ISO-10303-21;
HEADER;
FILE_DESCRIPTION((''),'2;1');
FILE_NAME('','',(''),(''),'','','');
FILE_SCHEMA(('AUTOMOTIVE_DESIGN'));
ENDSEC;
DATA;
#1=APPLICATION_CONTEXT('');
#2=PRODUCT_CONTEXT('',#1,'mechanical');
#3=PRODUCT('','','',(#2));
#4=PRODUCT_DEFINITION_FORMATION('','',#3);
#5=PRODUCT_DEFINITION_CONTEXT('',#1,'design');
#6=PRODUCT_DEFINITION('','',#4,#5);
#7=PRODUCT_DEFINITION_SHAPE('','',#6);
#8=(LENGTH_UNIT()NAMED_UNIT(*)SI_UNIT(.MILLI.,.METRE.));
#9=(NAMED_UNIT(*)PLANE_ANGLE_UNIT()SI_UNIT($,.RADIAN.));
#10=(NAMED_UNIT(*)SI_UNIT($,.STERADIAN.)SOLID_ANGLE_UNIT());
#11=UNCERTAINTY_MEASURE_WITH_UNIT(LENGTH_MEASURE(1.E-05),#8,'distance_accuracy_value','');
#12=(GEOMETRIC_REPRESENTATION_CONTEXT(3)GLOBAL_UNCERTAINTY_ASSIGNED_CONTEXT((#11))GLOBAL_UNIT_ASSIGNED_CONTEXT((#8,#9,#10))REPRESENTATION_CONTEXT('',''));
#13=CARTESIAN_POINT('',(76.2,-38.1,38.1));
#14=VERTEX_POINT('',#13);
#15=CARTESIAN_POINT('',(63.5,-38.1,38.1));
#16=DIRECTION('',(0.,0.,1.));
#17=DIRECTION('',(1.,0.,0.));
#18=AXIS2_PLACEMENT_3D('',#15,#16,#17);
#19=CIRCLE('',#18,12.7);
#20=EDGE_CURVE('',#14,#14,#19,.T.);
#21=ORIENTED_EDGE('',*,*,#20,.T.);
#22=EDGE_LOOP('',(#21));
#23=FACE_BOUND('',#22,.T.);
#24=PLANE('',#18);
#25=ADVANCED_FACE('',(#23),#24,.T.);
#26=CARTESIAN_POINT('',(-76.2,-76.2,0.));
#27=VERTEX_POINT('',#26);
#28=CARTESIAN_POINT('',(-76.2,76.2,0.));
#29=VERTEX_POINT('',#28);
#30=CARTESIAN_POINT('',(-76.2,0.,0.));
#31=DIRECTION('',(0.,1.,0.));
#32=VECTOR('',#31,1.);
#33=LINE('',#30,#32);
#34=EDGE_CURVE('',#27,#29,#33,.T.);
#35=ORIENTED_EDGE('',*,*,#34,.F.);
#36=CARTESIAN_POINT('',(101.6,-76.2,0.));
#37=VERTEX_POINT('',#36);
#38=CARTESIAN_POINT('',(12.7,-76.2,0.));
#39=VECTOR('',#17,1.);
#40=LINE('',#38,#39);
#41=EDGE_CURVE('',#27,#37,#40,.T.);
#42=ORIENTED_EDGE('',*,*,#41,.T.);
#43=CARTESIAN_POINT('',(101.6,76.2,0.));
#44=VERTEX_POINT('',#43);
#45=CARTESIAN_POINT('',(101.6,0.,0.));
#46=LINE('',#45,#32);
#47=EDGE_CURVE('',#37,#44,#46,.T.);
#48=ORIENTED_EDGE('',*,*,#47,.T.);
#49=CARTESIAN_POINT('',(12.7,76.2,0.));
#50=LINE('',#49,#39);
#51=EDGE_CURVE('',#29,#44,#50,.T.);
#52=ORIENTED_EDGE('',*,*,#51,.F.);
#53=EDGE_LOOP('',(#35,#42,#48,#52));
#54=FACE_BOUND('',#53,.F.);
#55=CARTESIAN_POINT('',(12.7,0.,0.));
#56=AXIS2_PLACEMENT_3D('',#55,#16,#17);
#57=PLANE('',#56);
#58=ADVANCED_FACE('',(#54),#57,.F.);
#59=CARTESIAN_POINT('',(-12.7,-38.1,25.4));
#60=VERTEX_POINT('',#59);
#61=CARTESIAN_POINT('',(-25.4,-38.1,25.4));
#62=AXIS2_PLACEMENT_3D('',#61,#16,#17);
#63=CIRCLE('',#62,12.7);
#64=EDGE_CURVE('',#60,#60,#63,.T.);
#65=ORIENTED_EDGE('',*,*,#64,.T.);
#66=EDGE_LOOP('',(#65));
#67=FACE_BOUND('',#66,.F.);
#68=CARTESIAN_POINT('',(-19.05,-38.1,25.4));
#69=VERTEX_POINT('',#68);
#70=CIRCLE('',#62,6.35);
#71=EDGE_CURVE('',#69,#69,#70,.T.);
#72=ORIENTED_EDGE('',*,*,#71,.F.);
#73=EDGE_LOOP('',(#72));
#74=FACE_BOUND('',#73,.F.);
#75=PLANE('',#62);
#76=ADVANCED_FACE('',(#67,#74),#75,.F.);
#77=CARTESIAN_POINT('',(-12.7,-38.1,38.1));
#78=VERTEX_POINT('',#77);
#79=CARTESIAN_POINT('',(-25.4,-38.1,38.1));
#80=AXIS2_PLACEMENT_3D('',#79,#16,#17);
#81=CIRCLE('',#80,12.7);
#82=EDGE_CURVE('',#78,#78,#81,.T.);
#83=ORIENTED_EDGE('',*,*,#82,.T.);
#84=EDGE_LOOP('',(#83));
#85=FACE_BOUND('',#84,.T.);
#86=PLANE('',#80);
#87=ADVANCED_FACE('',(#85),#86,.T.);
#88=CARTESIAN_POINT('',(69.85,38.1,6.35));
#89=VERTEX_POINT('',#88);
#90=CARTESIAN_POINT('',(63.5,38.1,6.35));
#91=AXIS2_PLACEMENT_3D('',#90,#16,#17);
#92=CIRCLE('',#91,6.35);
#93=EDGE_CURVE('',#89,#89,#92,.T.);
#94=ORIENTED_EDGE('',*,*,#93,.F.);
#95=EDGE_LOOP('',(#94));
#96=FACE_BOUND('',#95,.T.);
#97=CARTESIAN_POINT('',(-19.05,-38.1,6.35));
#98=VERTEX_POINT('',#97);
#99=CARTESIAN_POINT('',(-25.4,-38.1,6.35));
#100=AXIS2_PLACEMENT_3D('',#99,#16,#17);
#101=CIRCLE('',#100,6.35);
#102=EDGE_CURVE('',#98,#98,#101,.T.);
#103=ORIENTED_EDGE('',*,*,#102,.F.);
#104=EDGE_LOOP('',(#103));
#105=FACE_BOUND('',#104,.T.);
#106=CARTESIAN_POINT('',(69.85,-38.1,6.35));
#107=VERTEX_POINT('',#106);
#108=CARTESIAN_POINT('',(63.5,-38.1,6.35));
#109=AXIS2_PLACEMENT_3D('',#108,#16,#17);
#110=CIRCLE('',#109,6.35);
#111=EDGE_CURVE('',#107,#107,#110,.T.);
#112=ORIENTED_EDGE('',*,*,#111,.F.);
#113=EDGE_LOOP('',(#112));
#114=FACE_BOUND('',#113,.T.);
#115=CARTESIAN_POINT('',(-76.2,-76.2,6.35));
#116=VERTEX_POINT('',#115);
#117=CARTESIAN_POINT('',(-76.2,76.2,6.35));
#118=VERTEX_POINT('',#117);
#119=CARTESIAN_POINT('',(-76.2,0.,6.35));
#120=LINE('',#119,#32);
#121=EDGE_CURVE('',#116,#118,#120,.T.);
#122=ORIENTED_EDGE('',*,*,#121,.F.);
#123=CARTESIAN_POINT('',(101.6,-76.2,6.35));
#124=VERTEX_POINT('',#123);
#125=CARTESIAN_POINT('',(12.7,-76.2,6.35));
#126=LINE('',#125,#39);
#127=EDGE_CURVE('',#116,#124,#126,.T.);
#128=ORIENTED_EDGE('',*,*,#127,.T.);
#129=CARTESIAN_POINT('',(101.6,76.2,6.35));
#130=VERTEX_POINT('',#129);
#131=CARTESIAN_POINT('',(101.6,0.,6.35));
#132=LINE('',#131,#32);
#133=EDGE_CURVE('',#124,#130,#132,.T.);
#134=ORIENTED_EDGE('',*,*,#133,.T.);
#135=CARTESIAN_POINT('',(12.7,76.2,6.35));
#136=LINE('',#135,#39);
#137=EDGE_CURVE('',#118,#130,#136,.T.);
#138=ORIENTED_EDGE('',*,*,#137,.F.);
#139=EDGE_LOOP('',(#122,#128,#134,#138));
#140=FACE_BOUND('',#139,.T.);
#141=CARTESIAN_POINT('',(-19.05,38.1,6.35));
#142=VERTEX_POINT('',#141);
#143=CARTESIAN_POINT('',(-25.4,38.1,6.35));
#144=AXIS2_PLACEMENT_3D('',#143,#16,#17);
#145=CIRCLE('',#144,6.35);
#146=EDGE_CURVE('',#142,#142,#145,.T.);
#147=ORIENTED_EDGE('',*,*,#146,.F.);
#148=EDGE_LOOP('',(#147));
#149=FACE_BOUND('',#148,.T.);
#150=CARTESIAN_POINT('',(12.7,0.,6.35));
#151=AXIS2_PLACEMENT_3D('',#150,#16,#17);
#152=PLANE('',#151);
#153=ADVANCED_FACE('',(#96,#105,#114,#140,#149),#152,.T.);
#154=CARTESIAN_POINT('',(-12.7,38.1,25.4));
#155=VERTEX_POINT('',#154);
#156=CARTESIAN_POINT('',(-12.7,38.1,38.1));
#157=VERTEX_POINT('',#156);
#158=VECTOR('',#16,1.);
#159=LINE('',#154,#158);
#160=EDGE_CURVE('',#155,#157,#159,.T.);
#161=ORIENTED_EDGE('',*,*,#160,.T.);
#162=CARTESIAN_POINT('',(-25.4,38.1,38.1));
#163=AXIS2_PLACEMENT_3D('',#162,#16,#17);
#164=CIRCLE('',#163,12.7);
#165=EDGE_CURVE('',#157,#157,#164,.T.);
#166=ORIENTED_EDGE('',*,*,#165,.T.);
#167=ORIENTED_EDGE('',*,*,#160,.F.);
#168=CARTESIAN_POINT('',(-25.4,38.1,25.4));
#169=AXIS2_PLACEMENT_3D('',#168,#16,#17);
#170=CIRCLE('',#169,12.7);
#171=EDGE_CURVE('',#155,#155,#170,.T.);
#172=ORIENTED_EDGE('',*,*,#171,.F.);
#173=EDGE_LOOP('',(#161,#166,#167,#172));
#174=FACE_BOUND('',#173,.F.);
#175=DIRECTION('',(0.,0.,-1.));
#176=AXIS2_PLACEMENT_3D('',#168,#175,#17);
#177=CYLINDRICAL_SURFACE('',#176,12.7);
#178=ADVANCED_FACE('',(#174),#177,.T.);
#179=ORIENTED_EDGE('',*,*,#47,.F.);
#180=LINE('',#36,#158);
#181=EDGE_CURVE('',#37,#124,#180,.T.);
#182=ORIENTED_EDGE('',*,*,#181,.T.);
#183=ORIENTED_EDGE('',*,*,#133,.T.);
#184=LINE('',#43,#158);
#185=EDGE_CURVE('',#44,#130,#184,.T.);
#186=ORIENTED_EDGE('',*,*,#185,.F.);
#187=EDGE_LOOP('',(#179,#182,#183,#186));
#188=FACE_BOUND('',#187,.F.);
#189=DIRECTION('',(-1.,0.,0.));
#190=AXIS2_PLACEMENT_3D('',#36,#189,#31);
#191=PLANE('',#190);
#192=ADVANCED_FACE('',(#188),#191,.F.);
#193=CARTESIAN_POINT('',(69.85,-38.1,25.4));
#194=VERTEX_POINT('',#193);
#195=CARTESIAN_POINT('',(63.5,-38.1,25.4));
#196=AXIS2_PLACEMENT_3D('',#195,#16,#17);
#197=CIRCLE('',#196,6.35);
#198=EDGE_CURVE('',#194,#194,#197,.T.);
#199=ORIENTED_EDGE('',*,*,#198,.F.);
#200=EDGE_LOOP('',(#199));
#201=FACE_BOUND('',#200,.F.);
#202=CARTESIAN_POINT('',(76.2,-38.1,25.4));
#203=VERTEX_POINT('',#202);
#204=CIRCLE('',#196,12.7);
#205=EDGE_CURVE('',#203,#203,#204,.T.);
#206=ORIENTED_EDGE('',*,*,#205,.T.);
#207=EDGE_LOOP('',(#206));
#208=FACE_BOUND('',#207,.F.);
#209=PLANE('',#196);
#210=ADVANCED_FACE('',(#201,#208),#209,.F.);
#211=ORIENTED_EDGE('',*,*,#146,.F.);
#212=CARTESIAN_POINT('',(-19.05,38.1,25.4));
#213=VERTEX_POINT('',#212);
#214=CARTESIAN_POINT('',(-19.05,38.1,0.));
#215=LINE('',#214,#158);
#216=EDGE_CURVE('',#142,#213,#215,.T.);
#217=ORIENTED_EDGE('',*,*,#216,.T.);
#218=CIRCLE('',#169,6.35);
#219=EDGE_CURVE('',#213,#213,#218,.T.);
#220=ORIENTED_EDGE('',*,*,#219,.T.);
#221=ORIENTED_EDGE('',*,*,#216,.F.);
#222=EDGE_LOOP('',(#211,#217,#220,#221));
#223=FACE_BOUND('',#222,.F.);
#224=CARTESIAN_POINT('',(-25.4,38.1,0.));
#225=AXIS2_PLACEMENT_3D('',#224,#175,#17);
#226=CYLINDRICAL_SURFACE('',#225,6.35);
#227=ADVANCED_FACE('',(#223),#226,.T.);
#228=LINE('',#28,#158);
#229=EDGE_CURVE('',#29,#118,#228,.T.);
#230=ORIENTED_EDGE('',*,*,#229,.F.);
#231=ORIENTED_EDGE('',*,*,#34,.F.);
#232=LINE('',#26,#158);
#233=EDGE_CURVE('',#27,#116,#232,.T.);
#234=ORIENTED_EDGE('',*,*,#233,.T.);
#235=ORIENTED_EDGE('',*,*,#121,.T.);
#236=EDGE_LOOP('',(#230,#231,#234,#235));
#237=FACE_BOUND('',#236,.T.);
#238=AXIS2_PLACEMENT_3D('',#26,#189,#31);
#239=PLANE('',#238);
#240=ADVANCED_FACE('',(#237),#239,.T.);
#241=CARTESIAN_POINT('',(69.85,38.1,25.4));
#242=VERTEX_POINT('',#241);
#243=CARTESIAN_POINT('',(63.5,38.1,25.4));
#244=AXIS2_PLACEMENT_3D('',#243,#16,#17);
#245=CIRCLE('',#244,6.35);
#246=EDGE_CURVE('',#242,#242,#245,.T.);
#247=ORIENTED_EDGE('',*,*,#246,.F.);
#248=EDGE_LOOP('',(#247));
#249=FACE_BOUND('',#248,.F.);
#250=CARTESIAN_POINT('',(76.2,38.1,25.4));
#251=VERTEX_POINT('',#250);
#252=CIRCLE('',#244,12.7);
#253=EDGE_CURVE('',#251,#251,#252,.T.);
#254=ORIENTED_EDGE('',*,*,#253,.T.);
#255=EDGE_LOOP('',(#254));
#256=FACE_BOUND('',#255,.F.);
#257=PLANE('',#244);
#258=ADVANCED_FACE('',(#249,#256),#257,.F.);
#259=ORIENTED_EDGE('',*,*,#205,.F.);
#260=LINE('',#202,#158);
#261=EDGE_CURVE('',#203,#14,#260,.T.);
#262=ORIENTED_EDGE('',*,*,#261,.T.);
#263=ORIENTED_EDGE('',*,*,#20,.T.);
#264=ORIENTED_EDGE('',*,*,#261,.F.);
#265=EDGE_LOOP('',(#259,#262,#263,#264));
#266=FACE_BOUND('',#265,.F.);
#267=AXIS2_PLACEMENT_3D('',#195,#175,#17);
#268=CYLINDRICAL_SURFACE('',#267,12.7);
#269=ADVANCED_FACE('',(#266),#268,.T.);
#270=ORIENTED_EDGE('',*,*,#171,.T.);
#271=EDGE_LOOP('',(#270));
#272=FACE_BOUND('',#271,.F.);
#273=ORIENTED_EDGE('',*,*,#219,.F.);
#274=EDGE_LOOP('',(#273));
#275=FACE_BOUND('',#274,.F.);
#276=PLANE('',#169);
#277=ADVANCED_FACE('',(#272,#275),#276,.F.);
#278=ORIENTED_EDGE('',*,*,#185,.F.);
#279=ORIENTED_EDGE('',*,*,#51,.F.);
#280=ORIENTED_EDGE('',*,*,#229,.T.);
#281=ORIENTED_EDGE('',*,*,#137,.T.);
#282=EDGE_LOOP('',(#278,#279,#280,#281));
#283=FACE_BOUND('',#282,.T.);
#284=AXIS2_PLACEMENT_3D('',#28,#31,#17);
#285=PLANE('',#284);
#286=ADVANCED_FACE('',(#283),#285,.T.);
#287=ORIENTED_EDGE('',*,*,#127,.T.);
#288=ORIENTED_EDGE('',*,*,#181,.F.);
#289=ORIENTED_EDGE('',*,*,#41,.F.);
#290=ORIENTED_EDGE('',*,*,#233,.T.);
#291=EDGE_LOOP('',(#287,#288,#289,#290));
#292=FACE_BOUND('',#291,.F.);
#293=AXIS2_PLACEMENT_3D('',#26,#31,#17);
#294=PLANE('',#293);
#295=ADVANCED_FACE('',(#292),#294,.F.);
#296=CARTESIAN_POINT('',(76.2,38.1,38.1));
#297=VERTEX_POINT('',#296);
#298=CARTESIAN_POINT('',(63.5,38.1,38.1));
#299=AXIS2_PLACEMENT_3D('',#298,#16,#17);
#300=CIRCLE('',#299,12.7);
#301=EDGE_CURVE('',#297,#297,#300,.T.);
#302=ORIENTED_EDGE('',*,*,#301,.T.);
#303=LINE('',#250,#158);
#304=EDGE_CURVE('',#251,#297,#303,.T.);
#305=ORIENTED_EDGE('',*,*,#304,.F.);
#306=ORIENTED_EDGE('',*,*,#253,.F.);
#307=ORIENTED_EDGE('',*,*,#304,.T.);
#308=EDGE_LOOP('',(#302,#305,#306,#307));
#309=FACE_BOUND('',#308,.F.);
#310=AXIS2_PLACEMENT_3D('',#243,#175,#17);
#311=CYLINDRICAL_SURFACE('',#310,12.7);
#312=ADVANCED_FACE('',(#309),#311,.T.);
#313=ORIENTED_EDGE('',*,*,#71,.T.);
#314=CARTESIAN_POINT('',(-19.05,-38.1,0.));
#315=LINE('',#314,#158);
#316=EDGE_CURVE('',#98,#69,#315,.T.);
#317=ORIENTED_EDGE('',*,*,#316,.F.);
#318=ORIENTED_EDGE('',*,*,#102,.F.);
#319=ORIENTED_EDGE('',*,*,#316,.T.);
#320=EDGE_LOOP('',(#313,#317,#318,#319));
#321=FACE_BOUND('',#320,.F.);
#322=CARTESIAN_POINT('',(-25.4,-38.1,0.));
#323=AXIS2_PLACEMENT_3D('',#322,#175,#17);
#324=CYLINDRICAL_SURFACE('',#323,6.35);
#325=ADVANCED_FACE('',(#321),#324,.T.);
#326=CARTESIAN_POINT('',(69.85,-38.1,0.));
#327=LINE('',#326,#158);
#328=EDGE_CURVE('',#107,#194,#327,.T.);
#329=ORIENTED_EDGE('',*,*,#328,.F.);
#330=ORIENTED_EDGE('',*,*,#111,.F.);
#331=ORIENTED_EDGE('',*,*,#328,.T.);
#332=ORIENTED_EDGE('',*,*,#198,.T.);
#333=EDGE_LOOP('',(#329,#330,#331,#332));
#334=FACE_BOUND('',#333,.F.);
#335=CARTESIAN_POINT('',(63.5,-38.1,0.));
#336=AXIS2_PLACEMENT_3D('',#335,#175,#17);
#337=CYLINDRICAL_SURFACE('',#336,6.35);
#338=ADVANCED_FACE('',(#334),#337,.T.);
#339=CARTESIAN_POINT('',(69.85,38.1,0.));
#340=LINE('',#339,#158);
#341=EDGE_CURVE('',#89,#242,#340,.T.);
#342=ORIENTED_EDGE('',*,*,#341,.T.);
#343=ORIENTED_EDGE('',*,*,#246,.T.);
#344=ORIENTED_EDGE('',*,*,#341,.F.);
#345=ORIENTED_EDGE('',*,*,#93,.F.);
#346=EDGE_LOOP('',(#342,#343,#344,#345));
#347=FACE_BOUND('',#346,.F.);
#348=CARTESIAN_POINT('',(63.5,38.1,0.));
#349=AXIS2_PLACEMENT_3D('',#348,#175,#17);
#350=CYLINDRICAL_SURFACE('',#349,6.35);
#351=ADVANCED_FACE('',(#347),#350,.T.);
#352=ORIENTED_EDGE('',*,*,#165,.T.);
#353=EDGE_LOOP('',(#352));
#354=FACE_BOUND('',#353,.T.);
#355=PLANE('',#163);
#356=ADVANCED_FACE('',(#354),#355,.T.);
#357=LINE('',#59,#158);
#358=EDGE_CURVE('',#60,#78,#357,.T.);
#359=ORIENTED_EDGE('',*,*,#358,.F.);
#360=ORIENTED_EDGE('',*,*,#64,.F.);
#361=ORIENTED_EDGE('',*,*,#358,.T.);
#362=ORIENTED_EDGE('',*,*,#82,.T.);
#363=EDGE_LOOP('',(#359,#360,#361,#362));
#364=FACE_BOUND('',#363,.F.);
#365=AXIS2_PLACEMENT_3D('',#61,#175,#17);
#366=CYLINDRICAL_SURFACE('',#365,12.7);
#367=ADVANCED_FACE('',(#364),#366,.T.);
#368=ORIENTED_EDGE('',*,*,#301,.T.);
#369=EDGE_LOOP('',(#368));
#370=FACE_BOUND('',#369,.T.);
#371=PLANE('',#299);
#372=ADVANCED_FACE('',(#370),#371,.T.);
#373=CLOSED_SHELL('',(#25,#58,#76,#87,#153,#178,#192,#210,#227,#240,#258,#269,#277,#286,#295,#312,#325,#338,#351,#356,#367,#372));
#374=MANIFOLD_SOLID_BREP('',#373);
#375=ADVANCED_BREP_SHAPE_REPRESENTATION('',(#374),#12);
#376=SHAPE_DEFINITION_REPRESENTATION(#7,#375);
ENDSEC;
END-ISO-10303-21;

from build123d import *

# Parameters (mm, degrees)
F1_START = 25.4
F0_R     = 12.7
F0_R_2   = 6.35
F1_DEPTH = 12.7
F2_DEPTH = 25.4
F0_W     = 177.8
F0_H     = 152.4
F3_DEPTH = 6.35


with BuildPart() as f1:
    # F0 (on Top) → F1 (new body)
    with BuildSketch(Plane.XY.offset(F1_START)):
        with Locations((-25.4, 38.1)):
            Circle(F0_R)
        with Locations((-25.4, 38.1)):
            Circle(F0_R_2, mode=Mode.SUBTRACT)
        with Locations((-25.4, 38.1)):
            Circle(F0_R_2)
    extrude(amount=F1_DEPTH)

    # F0 (on Top) → F2, piece 2 (join)
    with BuildSketch(Plane.XY):
        with Locations((-25.4, 38.1)):
            Circle(F0_R_2)
    extrude(amount=F2_DEPTH)



with BuildPart() as f1b:
    # F0 (on Top) → F1, piece 2 (new body)
    with BuildSketch(Plane.XY.offset(F1_START)):
        with Locations((63.5, 38.1)):
            Circle(F0_R)
        with Locations((63.5, 38.1)):
            Circle(F0_R_2, mode=Mode.SUBTRACT)
        with Locations((63.5, 38.1)):
            Circle(F0_R_2)
    extrude(amount=F1_DEPTH)

    # F0 (on Top) → F2 (join)
    with BuildSketch(Plane.XY):
        with Locations((63.5, 38.1)):
            Circle(F0_R_2)
    extrude(amount=F2_DEPTH)


with BuildPart() as f1c:
    # F0 (on Top) → F1, piece 3 (new body)
    with BuildSketch(Plane.XY.offset(F1_START)):
        with Locations((-25.4, -38.1)):
            Circle(F0_R)
        with Locations((-25.4, -38.1)):
            Circle(F0_R_2, mode=Mode.SUBTRACT)
        with Locations((-25.4, -38.1)):
            Circle(F0_R_2)
    extrude(amount=F1_DEPTH)

    # F0 (on Top) → F2, piece 3 (join)
    with BuildSketch(Plane.XY):
        with Locations((-25.4, -38.1)):
            Circle(F0_R_2)
    extrude(amount=F2_DEPTH)


with BuildPart() as f1d:
    # F0 (on Top) → F1, piece 4 (new body)
    with BuildSketch(Plane.XY.offset(F1_START)):
        with Locations((63.5, -38.1)):
            Circle(F0_R)
        with Locations((63.5, -38.1)):
            Circle(F0_R_2, mode=Mode.SUBTRACT)
        with Locations((63.5, -38.1)):
            Circle(F0_R_2)
    extrude(amount=F1_DEPTH)

    # F0 (on Top) → F2, piece 4 (join)
    with BuildSketch(Plane.XY):
        with Locations((63.5, -38.1)):
            Circle(F0_R_2)
    extrude(amount=F2_DEPTH)


with BuildPart() as f1_1:
    add(f1.part)

    add(f1b.part)  # F3 merges F1b

    add(f1c.part)  # F3 merges F1c

    add(f1d.part)  # F3 merges F1d
    # F0 (on Top) → F3 (join)
    with BuildSketch(Plane.XY):
        with Locations((12.7, 0)):
            Rectangle(F0_W, F0_H)
        with Locations((-25.4, -38.1)):
            Circle(F0_R, mode=Mode.SUBTRACT)
        with Locations((63.5, -38.1)):
            Circle(F0_R, mode=Mode.SUBTRACT)
        with Locations((-25.4, 38.1)):
            Circle(F0_R, mode=Mode.SUBTRACT)
        with Locations((63.5, 38.1)):
            Circle(F0_R, mode=Mode.SUBTRACT)
        with Locations((63.5, 38.1)):
            Circle(F0_R)
        with Locations((63.5, 38.1)):
            Circle(F0_R_2, mode=Mode.SUBTRACT)
        with Locations((-25.4, 38.1)):
            Circle(F0_R)
        with Locations((-25.4, 38.1)):
            Circle(F0_R_2, mode=Mode.SUBTRACT)
        with Locations((-25.4, -38.1)):
            Circle(F0_R)
        with Locations((-25.4, -38.1)):
            Circle(F0_R_2, mode=Mode.SUBTRACT)
        with Locations((63.5, -38.1)):
            Circle(F0_R)
        with Locations((63.5, -38.1)):
            Circle(F0_R_2, mode=Mode.SUBTRACT)
    extrude(amount=F3_DEPTH)


solid = f1_1.part
